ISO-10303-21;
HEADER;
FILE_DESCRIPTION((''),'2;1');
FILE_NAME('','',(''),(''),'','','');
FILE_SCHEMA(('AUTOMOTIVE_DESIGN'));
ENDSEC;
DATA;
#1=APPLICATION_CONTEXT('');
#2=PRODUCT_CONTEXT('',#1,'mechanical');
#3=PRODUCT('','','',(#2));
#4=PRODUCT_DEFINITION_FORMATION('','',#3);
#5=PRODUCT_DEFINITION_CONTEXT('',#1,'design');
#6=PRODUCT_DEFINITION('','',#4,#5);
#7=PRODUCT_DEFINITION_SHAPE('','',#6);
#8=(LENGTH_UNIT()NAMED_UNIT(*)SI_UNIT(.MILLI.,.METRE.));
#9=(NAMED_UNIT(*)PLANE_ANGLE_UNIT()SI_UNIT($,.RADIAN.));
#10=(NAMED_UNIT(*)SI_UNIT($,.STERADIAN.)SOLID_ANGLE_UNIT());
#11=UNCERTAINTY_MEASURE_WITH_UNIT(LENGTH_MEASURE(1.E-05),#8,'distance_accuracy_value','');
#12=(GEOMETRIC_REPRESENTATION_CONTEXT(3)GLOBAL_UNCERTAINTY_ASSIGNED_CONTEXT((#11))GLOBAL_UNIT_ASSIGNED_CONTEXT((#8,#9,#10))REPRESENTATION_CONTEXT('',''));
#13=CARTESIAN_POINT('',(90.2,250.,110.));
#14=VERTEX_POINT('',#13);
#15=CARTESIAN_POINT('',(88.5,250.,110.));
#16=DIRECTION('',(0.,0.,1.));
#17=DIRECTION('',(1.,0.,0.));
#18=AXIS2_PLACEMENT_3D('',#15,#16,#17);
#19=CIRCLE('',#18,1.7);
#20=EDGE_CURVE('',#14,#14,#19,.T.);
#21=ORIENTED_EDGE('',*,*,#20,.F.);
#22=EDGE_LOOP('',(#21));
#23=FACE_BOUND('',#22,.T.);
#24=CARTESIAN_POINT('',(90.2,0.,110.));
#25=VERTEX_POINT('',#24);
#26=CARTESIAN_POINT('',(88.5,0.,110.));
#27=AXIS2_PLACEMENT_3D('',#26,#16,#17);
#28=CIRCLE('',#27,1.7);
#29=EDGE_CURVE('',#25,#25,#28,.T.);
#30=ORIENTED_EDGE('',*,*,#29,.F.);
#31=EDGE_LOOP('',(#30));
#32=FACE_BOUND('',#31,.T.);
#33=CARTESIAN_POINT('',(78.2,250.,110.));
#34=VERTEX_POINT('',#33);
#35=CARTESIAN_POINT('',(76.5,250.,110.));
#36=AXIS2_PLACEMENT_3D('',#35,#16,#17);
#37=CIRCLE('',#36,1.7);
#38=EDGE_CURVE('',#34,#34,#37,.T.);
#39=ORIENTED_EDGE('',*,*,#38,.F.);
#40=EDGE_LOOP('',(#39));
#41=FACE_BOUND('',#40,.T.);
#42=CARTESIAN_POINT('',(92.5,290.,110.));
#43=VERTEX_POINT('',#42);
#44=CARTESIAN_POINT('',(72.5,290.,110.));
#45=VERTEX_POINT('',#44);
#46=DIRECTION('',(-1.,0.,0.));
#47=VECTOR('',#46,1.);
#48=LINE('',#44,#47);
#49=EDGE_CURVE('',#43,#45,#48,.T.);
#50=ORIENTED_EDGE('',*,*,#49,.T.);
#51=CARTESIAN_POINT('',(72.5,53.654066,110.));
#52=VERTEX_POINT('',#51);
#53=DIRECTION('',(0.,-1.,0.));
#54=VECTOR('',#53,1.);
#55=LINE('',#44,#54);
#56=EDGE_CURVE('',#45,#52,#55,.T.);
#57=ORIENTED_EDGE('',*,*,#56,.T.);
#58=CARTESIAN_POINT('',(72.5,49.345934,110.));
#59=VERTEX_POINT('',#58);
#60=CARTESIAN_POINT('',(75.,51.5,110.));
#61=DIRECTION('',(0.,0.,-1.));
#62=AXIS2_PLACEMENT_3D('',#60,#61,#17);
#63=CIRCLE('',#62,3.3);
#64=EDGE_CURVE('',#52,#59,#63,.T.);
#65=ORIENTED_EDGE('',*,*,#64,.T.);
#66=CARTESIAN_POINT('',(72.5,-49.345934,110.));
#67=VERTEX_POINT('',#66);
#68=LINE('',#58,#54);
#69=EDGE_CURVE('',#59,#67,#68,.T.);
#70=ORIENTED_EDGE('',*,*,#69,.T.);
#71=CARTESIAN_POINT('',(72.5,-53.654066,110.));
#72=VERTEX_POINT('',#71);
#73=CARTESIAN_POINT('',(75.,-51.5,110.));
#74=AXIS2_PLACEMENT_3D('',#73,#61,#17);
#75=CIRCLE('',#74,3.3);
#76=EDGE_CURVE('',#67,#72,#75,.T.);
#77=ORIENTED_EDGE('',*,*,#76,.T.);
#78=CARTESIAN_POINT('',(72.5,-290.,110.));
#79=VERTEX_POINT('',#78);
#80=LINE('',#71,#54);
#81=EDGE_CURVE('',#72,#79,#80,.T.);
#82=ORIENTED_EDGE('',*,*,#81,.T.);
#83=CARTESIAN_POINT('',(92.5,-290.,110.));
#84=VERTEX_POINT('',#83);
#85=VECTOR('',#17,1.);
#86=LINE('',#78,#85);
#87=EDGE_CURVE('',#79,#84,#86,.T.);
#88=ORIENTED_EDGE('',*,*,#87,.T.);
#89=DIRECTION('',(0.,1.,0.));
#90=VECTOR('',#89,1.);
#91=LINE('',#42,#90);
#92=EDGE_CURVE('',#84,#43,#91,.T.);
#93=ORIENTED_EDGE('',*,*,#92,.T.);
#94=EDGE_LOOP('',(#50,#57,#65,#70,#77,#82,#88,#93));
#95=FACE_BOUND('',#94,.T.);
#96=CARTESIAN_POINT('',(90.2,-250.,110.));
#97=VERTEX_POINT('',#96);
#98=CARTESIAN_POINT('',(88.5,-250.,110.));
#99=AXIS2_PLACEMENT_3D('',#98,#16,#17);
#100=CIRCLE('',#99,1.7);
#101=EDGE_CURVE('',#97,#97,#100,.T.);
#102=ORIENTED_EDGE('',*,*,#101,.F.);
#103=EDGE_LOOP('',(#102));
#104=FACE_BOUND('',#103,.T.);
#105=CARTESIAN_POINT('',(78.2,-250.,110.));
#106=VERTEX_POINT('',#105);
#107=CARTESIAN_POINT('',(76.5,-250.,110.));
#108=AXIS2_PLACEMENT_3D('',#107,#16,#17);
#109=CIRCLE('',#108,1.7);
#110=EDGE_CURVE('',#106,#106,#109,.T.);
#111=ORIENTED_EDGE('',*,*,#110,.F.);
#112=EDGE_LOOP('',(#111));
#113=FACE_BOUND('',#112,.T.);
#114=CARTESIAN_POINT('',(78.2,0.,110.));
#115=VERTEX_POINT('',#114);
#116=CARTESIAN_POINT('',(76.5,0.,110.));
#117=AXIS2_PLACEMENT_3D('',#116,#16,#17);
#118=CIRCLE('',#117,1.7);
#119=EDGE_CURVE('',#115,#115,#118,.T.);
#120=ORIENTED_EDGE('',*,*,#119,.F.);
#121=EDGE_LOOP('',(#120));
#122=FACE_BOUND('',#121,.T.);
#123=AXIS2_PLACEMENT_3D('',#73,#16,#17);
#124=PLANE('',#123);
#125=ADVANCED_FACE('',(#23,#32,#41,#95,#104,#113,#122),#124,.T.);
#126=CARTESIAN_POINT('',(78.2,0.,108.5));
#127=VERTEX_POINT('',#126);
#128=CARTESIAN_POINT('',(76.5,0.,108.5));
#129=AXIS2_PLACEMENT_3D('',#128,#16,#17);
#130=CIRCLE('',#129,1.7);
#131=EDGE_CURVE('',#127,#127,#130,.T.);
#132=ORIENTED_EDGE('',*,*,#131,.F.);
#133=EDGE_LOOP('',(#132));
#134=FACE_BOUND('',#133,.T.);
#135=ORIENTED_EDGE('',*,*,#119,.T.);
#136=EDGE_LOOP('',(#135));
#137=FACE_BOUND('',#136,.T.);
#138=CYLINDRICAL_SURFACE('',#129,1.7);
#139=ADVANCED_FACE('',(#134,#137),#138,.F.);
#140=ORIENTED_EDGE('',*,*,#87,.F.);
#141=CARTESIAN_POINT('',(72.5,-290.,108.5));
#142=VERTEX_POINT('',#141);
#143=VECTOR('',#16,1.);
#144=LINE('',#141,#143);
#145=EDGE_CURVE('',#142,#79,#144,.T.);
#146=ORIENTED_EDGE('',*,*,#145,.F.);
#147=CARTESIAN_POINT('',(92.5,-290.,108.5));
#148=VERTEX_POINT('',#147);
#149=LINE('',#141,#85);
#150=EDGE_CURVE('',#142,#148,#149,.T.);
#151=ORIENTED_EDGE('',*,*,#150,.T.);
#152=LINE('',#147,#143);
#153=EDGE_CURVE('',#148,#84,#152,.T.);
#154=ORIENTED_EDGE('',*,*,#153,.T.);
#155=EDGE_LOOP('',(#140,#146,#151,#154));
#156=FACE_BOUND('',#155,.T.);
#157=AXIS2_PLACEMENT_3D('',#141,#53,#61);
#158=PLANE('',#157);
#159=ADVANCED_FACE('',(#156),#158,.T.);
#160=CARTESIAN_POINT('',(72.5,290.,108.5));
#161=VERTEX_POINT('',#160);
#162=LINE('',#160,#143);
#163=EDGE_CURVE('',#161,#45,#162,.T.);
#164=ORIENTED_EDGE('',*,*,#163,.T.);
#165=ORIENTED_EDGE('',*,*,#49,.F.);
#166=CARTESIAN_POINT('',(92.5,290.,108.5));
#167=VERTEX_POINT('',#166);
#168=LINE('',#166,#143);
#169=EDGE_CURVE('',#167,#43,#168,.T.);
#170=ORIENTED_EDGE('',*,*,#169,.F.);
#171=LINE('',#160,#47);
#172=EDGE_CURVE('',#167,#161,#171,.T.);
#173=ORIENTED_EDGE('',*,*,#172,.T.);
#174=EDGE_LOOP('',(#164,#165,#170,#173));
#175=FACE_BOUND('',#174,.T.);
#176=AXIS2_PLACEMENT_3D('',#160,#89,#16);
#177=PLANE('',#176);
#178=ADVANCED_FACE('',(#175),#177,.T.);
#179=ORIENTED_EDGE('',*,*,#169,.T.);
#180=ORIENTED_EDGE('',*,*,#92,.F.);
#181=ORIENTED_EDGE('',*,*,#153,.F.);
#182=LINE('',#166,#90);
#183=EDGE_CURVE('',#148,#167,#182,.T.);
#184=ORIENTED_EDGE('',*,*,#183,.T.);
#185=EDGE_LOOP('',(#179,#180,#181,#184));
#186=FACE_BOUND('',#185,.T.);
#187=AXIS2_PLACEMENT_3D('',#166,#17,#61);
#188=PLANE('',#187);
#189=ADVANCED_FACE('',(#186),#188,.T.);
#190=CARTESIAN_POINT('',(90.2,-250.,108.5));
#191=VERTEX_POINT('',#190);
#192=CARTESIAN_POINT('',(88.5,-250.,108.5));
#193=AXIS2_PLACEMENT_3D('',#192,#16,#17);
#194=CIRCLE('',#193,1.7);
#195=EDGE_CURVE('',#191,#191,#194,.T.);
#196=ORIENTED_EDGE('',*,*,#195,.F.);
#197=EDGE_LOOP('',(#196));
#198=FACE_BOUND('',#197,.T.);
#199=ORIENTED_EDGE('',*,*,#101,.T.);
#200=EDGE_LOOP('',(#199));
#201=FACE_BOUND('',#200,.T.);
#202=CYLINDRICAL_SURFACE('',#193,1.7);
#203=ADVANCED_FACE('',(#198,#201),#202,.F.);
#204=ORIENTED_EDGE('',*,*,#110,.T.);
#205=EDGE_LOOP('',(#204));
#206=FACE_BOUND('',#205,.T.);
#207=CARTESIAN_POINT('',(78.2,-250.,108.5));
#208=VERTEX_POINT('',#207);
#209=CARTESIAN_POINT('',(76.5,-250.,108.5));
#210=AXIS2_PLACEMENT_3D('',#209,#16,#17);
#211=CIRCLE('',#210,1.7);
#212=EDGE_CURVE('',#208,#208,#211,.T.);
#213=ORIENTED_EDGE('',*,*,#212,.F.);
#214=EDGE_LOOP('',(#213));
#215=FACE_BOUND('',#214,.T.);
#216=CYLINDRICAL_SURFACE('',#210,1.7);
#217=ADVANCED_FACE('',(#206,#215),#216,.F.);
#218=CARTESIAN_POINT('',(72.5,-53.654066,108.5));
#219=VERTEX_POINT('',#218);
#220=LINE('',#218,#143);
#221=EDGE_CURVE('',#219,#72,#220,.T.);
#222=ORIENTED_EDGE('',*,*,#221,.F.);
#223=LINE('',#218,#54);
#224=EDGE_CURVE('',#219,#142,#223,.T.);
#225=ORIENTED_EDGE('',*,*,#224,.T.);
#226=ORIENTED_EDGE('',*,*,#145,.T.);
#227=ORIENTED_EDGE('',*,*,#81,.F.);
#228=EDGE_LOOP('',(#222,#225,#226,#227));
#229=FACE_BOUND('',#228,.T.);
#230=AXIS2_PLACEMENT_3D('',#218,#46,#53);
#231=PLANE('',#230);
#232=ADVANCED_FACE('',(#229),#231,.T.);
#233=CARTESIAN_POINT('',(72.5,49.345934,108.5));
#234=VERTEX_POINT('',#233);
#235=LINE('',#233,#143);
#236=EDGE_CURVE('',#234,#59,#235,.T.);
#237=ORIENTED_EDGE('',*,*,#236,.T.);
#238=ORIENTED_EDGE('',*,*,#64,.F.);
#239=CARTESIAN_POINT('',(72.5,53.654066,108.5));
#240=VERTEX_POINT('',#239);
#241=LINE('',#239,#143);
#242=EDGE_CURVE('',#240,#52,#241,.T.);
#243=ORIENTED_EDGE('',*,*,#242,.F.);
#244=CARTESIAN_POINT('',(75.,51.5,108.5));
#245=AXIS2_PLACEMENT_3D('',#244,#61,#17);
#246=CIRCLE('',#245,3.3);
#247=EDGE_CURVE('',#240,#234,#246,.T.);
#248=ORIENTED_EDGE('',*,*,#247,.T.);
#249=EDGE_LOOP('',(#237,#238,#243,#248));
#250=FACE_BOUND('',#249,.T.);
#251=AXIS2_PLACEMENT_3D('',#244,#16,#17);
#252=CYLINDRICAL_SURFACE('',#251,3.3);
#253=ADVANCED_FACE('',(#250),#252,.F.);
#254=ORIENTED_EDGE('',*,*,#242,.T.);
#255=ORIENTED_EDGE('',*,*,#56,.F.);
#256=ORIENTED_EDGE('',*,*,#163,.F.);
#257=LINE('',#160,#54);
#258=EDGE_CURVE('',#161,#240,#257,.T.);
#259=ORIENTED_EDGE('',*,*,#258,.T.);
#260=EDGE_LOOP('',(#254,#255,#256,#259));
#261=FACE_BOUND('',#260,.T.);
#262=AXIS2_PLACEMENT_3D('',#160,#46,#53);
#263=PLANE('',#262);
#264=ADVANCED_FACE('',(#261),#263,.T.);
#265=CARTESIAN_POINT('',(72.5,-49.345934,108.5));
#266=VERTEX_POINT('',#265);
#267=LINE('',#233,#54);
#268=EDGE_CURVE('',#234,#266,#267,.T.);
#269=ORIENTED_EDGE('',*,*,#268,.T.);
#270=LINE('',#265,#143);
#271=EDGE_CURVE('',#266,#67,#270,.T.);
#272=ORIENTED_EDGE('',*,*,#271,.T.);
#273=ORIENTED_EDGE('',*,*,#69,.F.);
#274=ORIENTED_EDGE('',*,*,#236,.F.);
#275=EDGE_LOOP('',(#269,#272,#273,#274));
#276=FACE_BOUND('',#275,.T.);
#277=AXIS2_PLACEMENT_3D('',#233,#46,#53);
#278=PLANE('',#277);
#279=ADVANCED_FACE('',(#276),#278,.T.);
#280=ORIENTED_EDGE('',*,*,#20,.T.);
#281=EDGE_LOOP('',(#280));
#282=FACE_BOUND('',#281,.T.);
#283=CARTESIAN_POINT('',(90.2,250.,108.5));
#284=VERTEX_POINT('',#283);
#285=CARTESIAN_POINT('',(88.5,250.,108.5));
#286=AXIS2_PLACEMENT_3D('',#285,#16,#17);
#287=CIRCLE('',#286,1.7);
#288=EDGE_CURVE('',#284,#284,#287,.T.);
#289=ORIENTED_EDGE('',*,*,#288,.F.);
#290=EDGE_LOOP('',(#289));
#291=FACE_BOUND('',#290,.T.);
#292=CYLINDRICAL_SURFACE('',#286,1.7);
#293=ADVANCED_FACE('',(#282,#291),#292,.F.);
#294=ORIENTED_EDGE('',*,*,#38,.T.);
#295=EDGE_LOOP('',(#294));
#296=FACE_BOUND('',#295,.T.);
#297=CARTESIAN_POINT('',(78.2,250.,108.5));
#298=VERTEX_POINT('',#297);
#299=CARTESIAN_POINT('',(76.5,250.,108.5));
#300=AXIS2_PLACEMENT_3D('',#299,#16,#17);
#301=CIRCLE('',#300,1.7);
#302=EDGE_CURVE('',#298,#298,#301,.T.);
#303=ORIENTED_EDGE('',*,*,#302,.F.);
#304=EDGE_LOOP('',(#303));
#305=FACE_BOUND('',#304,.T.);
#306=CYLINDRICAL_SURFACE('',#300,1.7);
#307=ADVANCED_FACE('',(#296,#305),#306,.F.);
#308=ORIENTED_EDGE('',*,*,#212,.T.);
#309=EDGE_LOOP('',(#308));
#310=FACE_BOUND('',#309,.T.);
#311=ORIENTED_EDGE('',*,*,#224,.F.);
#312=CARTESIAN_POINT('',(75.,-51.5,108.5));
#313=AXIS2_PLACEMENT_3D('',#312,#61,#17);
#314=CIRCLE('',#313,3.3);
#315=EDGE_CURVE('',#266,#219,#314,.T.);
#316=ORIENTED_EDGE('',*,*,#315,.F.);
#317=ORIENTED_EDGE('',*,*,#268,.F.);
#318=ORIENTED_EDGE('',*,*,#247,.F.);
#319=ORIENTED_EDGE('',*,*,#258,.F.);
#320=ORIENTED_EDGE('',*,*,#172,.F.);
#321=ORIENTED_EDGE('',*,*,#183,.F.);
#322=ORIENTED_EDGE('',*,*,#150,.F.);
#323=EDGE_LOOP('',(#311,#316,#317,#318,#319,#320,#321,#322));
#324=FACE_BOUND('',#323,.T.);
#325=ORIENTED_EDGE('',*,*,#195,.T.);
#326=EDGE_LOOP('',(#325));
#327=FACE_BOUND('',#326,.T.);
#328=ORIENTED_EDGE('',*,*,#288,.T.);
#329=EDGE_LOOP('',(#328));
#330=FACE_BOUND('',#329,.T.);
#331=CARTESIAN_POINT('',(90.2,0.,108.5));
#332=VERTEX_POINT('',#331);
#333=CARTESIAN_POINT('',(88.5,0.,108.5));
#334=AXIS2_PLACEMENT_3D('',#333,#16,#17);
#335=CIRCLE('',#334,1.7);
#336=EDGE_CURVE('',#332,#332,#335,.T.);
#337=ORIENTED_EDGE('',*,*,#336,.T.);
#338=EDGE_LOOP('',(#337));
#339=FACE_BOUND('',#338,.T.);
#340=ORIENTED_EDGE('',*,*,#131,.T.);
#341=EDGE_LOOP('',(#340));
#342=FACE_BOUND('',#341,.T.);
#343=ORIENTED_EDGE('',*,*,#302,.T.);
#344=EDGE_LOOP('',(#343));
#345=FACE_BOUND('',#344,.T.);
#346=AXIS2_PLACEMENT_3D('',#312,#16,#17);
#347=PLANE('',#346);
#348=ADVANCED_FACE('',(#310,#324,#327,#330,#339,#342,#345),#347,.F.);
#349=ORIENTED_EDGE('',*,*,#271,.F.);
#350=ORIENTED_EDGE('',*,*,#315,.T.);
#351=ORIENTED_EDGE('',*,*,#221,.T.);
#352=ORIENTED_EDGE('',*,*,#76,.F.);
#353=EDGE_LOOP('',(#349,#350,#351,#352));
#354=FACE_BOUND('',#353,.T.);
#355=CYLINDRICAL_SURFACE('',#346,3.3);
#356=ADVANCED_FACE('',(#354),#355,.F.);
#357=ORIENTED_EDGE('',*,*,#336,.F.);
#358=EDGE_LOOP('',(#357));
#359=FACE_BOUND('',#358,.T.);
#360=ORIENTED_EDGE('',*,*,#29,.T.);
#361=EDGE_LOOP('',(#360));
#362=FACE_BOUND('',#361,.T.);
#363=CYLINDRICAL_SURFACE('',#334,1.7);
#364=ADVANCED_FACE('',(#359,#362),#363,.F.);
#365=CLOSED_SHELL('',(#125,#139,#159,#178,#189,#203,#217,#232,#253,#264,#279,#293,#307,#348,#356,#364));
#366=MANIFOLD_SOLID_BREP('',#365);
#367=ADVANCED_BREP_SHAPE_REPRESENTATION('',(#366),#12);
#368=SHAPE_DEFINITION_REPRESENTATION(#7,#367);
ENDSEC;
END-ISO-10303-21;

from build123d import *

# Parameters (mm, degrees)
MAIN_PROFILE_SKETCH_R = 1.7
MAIN_EXTRUSION_DEPTH  = 1.5


with BuildPart() as part:
    # Main Profile Sketch → Main Extrusion (new body)
    with BuildSketch(Plane.XY.offset(110)):
        with BuildLine():
            Line((72.5, 49.345934077), (72.5, -49.345934077))
            ThreePointArc((72.5, -49.345934077), (76.148912529, -48.40645834), (78.3, -51.5))
            ThreePointArc((78.3, -51.5), (76.148912529, -54.59354166), (72.5, -53.654065923))
            Line((72.5, -53.654065923), (72.5, -290))
            Line((72.5, -290), (92.5, -290))
            Line((92.5, -290), (92.5, 290))
            Line((92.5, 290), (72.5, 290))
            Line((72.5, 290), (72.5, 53.654065923))
            ThreePointArc((72.5, 53.654065923), (76.148912529, 54.59354166), (78.3, 51.5))
            ThreePointArc((78.3, 51.5), (76.148912529, 48.40645834), (72.5, 49.345934077))
        make_face()
        with Locations((76.5, -250)):
            Circle(MAIN_PROFILE_SKETCH_R, mode=Mode.SUBTRACT)
        with Locations((88.5, -250)):
            Circle(MAIN_PROFILE_SKETCH_R, mode=Mode.SUBTRACT)
        with Locations((76.5, 0)):
            Circle(MAIN_PROFILE_SKETCH_R, mode=Mode.SUBTRACT)
        with Locations((76.5, 250)):
            Circle(MAIN_PROFILE_SKETCH_R, mode=Mode.SUBTRACT)
        with Locations((88.5, 0)):
            Circle(MAIN_PROFILE_SKETCH_R, mode=Mode.SUBTRACT)
        with Locations((88.5, 250)):
            Circle(MAIN_PROFILE_SKETCH_R, mode=Mode.SUBTRACT)
    extrude(amount=-MAIN_EXTRUSION_DEPTH)


solid = part.part
